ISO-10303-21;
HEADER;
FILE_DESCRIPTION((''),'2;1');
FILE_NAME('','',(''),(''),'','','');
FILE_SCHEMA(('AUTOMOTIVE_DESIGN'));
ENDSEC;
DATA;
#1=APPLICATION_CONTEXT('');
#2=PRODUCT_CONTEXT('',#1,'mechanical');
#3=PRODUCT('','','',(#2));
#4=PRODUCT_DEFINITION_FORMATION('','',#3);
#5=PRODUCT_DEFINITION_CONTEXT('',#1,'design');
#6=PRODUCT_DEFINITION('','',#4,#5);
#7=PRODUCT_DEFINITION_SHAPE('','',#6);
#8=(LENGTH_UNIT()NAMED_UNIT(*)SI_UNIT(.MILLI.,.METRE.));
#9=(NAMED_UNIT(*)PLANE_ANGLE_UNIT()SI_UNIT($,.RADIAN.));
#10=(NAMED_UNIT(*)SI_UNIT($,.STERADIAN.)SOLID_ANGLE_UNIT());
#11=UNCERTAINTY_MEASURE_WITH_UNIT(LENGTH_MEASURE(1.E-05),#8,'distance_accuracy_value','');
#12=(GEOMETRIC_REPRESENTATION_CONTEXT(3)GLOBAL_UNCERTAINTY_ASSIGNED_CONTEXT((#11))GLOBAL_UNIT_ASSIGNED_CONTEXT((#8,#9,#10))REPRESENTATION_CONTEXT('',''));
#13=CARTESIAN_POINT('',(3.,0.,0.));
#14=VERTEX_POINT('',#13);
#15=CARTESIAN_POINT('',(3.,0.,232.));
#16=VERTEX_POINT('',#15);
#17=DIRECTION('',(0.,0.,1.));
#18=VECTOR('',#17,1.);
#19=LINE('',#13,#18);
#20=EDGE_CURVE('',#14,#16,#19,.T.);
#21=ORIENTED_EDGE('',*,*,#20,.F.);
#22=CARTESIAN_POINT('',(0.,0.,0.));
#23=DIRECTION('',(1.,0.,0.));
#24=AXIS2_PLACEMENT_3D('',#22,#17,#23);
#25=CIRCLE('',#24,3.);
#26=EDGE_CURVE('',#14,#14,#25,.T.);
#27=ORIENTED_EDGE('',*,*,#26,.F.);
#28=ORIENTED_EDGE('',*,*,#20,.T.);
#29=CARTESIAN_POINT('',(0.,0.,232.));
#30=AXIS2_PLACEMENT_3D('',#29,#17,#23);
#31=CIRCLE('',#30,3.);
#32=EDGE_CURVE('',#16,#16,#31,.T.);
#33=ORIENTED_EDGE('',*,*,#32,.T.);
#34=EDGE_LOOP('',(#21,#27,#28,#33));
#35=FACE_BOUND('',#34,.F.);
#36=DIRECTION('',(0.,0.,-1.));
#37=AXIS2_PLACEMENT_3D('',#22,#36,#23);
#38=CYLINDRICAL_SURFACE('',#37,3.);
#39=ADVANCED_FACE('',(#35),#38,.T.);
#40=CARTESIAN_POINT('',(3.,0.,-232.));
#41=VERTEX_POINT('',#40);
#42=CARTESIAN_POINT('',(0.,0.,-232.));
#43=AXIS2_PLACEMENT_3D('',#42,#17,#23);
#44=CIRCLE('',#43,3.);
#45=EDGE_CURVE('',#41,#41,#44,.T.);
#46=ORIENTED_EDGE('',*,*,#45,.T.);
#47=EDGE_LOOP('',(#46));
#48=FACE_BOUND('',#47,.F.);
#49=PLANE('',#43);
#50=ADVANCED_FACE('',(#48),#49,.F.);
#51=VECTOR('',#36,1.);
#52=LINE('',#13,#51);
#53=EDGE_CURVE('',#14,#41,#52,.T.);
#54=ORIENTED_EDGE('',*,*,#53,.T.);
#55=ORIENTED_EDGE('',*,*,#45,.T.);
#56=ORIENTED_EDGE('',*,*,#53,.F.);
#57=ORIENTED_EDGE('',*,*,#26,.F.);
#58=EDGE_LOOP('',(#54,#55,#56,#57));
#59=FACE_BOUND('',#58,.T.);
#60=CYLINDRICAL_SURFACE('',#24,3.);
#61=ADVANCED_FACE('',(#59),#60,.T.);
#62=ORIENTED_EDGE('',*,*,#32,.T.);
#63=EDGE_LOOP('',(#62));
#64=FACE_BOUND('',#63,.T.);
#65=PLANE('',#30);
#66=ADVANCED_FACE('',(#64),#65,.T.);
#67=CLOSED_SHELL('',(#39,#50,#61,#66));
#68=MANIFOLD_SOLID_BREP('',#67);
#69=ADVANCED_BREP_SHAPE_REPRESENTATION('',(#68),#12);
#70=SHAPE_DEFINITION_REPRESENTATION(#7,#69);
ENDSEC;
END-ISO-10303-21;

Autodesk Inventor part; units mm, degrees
ref_plane "YZ Plane" through (0, 0, 0) normal (1, 0, 0) x (0, 1, 0)
ref_plane "XZ Plane" through (0, 0, 0) normal (0, 1, 0) x (-1, 0, 0)
ref_plane "XY Plane" through (0, 0, 0) normal (0, 0, 1) x (1, 0, 0)
sketch "Sketch1" plane through (0, 0, 0) normal (0, 0, 1) x (1, 0, 0)
  circle A0 centre (0, 0) radius 3
  dimension "d0" = 6
extrude "Extrusion1" add sketch "Sketch1" along normal mid plane 464
thread "Thread1" size "M6x1" class "6g" standard "ANSI Metric M Profile" full length
properties part number "eixo_trapesoidal_001"
